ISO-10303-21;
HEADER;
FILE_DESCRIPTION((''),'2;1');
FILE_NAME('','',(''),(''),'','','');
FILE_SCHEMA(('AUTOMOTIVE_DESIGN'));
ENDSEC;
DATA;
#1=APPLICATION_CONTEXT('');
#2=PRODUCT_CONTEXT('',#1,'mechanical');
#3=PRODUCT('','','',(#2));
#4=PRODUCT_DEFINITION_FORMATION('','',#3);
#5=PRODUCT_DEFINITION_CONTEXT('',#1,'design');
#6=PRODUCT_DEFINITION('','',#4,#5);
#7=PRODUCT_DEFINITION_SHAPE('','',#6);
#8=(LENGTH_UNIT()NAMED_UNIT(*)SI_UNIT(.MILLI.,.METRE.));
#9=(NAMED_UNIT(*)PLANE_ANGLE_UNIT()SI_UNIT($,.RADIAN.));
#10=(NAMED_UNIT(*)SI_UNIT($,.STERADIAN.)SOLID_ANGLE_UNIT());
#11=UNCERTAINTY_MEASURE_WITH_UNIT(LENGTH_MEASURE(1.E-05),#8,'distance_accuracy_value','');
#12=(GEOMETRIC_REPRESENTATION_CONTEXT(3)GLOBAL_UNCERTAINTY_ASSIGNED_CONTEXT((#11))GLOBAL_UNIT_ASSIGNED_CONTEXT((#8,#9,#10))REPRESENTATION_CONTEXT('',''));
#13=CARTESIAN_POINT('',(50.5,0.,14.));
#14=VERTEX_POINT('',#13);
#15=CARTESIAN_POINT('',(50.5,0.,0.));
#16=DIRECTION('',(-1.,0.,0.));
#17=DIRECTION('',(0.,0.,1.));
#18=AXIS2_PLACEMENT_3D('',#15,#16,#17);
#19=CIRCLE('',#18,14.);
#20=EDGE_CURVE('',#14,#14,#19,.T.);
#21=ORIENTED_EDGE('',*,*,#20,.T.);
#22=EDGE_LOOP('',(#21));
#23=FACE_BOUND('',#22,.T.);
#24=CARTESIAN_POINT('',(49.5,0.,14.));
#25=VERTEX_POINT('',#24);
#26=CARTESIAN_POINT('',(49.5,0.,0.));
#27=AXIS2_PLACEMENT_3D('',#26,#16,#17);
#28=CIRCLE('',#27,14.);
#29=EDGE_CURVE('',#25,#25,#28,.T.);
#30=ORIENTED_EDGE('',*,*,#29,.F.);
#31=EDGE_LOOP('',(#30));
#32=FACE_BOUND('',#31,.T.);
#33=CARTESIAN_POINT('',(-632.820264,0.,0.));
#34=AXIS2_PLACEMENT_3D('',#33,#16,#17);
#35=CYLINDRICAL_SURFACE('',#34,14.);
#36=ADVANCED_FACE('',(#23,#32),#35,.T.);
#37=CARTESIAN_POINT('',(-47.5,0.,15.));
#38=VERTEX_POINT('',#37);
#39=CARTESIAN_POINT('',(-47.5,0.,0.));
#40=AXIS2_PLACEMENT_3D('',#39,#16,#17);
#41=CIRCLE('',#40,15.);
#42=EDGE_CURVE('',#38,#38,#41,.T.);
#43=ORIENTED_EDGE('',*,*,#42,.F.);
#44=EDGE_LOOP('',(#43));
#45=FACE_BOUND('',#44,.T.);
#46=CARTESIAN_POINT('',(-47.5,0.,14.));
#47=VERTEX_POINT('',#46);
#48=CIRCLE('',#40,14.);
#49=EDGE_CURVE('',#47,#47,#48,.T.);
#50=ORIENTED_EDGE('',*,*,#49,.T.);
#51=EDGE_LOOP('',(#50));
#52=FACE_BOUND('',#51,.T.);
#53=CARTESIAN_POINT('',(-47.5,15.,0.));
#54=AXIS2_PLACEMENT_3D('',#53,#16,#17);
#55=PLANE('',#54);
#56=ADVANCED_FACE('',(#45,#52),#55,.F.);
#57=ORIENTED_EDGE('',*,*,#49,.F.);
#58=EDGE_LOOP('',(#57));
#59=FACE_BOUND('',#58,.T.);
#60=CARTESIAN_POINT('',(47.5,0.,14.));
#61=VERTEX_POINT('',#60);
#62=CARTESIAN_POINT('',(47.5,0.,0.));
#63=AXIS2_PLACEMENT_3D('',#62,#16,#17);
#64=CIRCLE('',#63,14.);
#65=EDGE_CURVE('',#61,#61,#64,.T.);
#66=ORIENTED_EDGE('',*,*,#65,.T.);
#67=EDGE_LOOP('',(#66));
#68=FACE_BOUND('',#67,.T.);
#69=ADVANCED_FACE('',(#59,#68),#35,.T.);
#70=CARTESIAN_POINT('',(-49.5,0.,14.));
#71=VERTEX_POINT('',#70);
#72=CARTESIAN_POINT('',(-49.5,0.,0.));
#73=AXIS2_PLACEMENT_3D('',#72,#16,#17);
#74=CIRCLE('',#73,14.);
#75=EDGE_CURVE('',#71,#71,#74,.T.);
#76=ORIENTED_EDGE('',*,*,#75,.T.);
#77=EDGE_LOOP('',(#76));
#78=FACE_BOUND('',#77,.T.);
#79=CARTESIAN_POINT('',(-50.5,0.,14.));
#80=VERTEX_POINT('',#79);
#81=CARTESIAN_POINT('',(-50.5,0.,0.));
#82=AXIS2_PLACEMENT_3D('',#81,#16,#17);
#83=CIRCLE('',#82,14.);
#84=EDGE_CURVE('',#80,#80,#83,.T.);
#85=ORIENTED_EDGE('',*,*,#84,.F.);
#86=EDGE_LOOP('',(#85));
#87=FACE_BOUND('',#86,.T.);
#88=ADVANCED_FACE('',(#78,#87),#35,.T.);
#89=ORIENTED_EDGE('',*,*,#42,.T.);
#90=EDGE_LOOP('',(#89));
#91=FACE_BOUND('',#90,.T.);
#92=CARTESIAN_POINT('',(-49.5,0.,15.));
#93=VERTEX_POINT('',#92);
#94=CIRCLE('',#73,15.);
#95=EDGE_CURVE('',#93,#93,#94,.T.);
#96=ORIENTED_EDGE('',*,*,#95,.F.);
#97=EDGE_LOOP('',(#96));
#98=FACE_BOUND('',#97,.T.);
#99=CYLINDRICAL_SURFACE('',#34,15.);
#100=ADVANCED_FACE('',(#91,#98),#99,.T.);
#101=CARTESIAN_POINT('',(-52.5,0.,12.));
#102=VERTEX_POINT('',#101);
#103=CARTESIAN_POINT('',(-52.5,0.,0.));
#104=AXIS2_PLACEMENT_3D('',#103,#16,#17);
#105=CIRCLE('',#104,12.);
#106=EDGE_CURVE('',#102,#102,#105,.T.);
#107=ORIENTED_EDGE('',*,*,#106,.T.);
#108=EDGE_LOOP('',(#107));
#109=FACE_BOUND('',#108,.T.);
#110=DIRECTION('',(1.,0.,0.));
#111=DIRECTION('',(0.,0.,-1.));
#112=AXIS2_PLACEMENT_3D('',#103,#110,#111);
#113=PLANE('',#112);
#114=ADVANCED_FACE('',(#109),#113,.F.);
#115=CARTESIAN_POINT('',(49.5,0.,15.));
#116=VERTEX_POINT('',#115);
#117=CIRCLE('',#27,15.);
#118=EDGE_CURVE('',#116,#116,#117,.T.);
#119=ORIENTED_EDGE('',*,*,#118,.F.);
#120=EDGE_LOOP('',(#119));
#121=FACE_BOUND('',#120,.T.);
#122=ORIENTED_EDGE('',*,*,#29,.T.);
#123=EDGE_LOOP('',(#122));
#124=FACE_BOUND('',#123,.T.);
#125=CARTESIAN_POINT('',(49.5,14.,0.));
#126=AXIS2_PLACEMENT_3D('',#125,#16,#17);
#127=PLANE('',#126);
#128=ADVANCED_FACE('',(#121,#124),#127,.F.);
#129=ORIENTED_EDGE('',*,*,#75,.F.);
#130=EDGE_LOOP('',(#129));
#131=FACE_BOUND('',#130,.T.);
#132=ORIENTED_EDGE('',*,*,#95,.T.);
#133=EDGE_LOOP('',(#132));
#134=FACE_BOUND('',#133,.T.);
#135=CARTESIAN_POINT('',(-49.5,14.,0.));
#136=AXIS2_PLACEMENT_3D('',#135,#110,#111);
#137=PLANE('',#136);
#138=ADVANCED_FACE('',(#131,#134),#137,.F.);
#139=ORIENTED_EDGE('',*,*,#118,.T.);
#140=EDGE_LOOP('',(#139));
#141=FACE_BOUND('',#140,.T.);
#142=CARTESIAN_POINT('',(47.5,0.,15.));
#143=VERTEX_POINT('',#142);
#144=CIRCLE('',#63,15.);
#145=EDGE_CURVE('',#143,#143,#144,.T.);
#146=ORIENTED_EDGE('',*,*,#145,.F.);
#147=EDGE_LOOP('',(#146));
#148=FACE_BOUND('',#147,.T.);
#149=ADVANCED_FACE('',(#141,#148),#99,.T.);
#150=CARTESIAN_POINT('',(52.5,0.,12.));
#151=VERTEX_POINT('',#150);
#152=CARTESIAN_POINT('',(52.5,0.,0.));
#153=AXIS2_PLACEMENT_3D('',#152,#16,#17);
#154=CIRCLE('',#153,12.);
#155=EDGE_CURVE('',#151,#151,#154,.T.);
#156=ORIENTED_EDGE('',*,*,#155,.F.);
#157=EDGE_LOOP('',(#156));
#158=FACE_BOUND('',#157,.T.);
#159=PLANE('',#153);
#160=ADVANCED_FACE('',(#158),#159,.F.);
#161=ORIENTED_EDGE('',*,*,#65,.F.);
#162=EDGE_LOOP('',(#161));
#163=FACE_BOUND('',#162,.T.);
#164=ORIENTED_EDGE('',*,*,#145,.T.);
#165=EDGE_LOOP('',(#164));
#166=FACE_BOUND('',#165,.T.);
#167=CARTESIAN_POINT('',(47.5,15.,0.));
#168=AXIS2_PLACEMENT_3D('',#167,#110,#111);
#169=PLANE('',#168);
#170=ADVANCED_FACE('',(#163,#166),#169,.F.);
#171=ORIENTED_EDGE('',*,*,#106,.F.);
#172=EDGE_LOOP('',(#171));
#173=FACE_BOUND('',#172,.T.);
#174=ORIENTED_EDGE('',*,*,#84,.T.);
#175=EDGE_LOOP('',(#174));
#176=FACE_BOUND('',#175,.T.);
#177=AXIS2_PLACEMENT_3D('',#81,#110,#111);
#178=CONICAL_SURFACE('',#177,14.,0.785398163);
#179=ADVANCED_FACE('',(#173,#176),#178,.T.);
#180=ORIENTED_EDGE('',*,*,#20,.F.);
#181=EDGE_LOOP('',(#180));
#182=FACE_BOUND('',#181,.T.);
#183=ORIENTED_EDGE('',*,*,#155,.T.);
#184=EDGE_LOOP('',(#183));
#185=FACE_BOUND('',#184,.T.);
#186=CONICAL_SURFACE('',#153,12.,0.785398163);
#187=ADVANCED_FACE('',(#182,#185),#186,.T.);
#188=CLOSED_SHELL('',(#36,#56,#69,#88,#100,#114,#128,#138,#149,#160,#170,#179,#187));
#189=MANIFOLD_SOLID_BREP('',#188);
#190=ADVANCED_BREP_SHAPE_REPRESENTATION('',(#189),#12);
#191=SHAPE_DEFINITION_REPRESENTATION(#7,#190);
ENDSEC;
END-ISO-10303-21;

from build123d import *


with BuildPart() as part:
    # Sketch1 → Revolve3 (revolve)
    with BuildSketch(Plane.XY):
        Polygon((-52.5, 0), (52.5, 0), (52.5, 12), (50.5, 14), (49.5, 14), (49.5, 15), (47.5, 15), (47.5, 14), (-47.5, 14), (-47.5, 15), (-49.5, 15), (-49.5, 14), (-50.5, 14), (-52.5, 12), align=None)
    revolve(axis=Axis((-632.820263968, 0, 0), (1, 0, 0)))


solid = part.part
